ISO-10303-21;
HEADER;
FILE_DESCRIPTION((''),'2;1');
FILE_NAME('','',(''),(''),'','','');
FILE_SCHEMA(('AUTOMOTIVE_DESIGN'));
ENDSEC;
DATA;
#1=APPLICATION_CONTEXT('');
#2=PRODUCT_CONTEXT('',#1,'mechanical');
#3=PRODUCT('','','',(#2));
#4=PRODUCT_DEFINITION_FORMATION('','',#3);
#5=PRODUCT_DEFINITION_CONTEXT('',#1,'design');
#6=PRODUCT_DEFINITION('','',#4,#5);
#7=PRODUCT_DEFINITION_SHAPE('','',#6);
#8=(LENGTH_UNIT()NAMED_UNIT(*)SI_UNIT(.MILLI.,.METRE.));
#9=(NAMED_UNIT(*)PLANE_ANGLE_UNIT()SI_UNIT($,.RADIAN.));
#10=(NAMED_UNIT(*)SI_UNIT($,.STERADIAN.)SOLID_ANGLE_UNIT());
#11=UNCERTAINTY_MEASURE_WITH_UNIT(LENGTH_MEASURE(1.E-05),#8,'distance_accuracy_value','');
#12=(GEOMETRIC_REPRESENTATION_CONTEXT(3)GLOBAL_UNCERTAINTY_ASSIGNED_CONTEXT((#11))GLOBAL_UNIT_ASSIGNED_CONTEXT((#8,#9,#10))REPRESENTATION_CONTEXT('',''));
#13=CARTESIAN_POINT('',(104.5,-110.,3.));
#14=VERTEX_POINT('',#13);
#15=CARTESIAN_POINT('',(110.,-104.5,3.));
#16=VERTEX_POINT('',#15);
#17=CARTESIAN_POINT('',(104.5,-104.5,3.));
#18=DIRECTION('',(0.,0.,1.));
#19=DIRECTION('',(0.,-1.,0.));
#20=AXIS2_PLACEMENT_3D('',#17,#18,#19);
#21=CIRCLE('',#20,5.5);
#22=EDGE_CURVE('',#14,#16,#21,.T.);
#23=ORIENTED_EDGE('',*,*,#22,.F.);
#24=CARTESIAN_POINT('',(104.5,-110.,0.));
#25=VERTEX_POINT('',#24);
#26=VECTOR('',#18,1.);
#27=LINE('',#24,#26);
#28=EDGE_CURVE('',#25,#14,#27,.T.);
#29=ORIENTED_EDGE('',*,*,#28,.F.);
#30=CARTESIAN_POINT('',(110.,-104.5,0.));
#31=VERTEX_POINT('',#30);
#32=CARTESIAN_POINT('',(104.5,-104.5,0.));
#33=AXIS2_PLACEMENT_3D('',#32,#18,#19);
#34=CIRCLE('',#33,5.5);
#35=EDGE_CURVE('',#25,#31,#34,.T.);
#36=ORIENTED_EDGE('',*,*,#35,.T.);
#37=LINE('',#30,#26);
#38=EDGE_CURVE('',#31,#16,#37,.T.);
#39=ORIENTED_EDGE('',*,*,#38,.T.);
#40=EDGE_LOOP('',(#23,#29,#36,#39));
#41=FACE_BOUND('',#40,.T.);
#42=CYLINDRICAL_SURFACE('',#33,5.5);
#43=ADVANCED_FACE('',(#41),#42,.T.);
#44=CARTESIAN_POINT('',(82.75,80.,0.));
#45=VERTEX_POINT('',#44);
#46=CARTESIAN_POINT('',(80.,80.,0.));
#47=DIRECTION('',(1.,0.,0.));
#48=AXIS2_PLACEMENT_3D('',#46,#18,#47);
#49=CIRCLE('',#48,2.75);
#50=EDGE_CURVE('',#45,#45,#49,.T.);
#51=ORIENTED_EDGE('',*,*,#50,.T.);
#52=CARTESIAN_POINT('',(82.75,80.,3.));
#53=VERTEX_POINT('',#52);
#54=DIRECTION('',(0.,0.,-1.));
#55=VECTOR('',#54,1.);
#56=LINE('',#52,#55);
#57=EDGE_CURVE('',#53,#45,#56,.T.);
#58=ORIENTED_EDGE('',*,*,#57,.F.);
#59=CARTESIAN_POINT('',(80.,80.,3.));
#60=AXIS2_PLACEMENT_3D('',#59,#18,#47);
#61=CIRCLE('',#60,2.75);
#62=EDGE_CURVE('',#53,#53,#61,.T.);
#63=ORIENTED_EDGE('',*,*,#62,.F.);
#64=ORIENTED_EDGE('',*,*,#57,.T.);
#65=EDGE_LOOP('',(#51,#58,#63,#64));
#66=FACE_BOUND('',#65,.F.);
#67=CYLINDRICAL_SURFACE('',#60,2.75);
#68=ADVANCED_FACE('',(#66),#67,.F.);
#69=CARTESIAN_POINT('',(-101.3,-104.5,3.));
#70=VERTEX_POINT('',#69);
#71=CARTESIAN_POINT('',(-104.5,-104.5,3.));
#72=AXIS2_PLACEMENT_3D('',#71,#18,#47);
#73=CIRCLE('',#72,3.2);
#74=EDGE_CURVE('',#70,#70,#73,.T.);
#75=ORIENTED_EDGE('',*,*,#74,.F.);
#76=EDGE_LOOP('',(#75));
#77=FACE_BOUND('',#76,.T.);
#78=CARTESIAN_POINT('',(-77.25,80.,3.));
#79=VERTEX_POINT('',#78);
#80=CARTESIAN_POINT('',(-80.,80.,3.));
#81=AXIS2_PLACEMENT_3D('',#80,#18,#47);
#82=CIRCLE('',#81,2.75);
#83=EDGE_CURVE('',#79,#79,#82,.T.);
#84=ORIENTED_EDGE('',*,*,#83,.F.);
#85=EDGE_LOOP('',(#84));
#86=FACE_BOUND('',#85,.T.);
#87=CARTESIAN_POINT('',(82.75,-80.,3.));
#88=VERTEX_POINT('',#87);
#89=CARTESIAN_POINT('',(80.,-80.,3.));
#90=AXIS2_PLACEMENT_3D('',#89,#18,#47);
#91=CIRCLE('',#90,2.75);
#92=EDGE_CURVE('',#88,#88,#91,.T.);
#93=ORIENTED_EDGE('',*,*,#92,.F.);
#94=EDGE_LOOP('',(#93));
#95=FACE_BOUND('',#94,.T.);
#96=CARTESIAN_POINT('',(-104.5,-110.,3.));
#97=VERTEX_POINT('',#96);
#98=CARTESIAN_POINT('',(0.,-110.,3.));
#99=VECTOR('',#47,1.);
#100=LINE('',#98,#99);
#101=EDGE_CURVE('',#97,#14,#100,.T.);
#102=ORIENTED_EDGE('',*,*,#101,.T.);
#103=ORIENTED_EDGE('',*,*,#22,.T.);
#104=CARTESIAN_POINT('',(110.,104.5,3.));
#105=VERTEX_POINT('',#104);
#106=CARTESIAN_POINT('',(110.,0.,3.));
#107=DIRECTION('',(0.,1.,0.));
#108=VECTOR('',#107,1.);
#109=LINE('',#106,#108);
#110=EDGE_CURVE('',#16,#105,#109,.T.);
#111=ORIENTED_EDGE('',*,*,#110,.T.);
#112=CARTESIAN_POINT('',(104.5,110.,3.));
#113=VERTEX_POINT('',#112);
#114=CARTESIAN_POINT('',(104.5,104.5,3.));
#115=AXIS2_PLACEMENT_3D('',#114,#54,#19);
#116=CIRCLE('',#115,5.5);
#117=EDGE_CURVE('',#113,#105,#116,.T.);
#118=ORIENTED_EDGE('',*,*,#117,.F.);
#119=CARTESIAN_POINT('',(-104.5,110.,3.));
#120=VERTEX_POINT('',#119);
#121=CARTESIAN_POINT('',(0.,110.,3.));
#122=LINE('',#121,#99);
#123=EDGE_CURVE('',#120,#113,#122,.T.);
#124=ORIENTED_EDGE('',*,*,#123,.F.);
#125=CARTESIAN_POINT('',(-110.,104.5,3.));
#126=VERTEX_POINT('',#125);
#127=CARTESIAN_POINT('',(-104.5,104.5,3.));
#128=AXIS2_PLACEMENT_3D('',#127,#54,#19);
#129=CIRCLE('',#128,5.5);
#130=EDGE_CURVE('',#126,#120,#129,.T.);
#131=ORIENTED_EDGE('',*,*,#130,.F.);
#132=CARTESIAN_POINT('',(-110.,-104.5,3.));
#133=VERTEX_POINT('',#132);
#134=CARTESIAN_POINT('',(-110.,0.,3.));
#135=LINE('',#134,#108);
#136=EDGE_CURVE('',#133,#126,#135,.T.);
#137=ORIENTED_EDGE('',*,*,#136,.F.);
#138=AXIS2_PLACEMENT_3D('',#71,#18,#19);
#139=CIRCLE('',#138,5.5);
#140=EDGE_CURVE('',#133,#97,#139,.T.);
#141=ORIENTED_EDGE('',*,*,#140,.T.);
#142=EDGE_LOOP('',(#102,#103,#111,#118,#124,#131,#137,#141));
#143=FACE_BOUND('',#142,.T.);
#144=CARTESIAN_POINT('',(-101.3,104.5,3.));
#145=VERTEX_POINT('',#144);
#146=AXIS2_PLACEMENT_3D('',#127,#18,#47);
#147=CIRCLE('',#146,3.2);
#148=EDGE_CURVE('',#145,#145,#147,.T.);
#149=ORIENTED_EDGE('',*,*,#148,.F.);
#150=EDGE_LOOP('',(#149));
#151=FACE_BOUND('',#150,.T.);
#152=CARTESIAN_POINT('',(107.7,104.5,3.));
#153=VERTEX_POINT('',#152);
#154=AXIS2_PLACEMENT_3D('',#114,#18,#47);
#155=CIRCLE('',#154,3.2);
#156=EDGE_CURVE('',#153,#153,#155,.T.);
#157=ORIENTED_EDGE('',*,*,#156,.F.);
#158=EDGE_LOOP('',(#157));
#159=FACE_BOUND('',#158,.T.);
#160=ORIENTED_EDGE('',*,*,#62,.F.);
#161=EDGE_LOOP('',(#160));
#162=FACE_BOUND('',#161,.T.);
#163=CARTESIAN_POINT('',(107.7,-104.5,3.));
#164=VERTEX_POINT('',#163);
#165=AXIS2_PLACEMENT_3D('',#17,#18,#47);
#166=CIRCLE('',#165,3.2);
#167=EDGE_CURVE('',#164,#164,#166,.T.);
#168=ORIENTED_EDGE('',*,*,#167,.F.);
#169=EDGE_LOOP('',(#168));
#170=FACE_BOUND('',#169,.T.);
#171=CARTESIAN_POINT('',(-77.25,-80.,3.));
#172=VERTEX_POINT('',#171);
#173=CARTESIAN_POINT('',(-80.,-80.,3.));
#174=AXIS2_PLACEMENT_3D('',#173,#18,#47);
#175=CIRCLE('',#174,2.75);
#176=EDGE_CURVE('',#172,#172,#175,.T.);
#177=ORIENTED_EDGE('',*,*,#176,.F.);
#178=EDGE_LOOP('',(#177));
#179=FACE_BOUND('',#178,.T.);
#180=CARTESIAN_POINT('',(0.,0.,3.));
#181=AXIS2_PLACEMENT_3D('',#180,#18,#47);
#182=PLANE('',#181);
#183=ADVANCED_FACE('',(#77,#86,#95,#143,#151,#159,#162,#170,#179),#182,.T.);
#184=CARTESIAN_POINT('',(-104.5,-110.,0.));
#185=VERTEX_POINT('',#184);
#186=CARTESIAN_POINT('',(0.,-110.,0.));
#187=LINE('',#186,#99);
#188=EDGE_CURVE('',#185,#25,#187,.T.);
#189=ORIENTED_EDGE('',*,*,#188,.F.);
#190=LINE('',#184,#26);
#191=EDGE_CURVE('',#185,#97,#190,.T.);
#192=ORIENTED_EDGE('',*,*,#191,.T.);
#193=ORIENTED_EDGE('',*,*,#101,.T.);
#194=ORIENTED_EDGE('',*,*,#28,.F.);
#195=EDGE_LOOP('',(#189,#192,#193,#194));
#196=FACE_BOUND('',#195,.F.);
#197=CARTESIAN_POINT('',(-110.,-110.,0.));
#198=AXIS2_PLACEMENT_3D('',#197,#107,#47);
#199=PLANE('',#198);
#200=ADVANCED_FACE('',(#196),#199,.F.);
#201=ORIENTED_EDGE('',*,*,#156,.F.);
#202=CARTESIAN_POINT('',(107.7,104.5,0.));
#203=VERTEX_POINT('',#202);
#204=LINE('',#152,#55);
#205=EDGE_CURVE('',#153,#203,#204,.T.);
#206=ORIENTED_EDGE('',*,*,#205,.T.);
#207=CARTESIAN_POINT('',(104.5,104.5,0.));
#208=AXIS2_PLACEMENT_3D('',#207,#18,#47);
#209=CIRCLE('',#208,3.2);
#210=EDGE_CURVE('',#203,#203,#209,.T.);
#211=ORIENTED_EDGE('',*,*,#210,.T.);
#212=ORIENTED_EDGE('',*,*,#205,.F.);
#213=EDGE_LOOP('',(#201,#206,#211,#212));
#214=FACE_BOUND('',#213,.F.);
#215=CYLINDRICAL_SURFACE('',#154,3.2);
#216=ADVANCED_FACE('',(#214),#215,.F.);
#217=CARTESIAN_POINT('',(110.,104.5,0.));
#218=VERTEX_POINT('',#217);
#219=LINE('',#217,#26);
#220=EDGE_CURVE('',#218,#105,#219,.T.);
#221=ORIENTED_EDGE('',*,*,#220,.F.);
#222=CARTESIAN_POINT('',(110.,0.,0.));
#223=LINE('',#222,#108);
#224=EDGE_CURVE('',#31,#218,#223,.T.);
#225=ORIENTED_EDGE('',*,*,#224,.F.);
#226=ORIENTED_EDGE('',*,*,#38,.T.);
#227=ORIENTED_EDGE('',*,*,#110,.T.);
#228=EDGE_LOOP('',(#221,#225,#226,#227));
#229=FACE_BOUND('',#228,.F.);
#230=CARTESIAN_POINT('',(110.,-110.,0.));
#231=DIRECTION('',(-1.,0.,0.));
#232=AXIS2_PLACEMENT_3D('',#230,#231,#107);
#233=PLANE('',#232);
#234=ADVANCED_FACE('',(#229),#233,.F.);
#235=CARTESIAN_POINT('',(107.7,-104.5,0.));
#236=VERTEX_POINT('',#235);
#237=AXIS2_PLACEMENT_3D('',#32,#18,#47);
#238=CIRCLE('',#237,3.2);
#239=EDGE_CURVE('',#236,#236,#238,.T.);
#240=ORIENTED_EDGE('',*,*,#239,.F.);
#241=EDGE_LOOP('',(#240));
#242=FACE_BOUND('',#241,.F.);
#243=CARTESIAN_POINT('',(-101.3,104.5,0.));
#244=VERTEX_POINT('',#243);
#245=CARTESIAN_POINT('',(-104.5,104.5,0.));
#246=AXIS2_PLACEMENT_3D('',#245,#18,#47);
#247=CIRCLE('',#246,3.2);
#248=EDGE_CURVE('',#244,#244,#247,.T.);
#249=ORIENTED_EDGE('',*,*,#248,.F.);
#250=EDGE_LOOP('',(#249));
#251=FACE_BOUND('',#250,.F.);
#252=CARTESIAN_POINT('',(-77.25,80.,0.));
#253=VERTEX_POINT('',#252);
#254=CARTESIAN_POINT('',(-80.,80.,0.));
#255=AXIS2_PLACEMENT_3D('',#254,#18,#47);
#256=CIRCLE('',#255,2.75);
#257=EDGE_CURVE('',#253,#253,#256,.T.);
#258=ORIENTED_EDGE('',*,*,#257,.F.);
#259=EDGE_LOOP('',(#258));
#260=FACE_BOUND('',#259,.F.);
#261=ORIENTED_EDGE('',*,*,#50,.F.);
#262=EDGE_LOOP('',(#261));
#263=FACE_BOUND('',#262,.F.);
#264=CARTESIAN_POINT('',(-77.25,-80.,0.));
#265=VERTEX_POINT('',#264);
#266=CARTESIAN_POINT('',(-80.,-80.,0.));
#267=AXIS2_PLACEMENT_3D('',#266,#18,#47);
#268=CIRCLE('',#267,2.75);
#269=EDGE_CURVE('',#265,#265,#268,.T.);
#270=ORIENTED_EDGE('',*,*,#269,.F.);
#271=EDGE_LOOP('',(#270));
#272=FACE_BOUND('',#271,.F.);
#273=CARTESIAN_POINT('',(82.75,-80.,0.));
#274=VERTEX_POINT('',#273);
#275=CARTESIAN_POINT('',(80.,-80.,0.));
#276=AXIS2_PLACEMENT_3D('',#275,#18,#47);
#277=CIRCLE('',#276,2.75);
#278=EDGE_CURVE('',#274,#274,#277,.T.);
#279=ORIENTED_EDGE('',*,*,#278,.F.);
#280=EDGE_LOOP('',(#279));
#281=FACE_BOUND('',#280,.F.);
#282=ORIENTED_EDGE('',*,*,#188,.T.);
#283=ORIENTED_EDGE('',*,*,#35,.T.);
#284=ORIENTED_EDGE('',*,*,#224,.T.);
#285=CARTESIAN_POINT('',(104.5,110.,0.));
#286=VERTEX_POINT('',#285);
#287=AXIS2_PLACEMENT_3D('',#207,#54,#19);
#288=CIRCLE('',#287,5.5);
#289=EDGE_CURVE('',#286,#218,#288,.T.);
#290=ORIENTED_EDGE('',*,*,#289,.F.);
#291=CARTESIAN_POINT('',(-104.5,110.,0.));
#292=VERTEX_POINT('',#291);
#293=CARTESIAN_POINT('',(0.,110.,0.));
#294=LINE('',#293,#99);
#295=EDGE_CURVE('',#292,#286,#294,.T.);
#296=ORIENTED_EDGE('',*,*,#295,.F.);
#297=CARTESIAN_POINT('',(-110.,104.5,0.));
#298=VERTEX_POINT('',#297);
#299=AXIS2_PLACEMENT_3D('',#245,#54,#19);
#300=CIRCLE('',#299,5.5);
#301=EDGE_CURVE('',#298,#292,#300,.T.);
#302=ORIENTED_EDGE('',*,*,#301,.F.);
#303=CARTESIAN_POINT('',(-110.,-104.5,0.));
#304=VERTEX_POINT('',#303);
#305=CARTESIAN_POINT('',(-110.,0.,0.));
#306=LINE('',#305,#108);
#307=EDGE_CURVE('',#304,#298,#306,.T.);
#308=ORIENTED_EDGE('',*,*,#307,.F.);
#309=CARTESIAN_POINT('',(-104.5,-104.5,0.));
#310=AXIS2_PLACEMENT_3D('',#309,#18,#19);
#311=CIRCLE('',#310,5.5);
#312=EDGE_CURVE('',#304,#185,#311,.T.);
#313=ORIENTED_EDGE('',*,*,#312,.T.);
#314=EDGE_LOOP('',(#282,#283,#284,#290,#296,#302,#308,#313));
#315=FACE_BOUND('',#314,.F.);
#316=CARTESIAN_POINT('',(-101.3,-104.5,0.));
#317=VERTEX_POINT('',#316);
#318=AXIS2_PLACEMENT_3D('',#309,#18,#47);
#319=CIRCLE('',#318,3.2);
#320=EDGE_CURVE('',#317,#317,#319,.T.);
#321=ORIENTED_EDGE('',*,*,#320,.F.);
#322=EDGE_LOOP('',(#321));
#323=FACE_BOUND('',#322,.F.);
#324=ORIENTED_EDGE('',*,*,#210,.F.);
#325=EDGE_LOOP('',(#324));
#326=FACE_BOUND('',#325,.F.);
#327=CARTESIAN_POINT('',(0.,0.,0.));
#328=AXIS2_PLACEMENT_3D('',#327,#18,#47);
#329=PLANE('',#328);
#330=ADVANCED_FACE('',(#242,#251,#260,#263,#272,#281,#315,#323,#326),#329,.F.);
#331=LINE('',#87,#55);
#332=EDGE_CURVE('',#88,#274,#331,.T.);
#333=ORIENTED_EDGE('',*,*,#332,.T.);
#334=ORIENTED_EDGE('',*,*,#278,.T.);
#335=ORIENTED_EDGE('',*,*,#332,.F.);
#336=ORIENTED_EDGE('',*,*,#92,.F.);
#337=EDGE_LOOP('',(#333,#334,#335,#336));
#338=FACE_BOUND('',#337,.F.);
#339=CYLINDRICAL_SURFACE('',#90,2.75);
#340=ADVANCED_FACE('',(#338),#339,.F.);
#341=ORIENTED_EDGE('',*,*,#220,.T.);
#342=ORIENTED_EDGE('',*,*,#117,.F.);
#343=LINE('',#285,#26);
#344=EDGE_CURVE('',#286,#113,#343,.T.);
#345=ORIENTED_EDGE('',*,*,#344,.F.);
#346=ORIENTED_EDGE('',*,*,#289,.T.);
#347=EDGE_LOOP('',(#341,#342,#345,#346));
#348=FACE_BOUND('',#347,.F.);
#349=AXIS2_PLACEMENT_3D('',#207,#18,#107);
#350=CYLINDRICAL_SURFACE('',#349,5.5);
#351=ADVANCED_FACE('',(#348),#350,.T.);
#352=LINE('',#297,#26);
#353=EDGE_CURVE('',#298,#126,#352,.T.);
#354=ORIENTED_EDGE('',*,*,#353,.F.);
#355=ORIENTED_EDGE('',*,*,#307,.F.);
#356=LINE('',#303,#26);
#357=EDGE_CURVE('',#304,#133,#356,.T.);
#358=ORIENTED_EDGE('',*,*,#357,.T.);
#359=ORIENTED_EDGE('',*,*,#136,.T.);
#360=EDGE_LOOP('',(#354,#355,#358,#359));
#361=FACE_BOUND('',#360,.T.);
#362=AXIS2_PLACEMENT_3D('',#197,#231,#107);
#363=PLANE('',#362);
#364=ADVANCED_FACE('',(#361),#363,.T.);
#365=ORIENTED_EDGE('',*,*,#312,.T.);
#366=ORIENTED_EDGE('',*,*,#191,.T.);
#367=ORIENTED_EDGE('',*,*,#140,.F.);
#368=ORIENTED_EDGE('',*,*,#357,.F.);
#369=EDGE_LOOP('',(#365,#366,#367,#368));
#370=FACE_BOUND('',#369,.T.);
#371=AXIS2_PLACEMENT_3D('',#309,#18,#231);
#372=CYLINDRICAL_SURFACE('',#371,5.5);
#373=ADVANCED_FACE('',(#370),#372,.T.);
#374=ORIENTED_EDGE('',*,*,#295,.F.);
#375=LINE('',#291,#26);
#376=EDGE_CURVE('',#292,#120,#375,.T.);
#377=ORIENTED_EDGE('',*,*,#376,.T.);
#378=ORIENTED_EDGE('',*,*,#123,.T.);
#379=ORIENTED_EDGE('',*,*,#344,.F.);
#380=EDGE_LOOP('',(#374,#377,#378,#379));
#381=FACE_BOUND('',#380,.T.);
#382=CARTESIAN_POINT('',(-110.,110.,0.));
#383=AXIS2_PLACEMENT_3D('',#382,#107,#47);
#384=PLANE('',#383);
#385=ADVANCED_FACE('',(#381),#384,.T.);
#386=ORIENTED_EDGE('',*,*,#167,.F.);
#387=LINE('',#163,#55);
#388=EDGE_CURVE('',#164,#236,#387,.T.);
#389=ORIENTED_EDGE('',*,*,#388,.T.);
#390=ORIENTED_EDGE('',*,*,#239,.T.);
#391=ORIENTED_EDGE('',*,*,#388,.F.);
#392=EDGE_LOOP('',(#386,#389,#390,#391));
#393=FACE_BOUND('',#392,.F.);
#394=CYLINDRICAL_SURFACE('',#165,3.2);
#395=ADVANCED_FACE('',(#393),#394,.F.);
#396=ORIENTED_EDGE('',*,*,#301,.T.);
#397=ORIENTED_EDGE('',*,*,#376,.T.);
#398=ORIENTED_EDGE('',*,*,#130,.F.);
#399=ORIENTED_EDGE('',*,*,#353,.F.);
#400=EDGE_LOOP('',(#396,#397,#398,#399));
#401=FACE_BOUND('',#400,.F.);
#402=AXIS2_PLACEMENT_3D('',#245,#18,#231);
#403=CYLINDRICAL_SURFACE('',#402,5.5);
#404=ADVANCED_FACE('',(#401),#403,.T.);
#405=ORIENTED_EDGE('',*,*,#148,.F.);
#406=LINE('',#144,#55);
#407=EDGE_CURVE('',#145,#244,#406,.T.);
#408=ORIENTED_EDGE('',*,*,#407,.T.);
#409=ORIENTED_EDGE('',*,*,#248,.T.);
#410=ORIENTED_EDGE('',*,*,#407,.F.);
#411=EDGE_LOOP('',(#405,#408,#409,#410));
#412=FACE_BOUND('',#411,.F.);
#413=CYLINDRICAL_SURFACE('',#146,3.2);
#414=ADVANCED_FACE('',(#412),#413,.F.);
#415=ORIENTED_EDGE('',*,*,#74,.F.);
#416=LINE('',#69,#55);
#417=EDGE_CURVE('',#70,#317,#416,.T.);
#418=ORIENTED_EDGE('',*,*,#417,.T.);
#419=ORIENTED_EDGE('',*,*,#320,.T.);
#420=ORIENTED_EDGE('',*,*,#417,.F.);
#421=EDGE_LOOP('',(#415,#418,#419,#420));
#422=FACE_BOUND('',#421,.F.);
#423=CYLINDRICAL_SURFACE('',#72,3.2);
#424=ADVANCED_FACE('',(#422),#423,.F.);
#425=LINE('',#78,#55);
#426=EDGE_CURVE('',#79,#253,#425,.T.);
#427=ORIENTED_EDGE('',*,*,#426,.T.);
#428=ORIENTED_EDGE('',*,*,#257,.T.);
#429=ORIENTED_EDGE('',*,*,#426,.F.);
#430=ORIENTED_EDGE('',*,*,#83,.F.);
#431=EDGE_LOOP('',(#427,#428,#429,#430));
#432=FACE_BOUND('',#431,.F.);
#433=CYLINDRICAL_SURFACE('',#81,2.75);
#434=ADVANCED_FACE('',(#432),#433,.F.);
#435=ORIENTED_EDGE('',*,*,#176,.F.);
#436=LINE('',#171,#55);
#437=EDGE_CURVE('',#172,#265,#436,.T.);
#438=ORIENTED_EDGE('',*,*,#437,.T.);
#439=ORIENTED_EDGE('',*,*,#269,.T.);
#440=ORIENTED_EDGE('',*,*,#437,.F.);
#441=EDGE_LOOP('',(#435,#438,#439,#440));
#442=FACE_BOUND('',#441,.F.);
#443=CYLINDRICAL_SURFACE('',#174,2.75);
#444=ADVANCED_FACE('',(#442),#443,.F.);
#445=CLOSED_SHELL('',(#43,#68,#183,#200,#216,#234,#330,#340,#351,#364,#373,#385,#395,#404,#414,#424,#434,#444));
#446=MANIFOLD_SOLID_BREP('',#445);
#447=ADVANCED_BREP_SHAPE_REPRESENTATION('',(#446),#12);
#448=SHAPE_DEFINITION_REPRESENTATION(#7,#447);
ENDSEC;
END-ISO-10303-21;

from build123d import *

# Parameters (mm, degrees)
SKETCH_W        = 220
SKETCH_H        = 220
PAD_DEPTH       = 3
SKETCH001_R     = 3.2
POCKET_DEPTH    = 3.001
SKETCH002_R     = 2.75
POCKET001_DEPTH = 5
FILLET_R        = 5.5


with BuildPart() as part:
    # Sketch → Pad (new body)
    with BuildSketch(Plane.XY):
        Rectangle(SKETCH_W, SKETCH_H)
    extrude(amount=PAD_DEPTH)

    # Sketch001 (on Face6 of Pad) → Pocket (cut, through all)
    with BuildSketch(Plane.XY.offset(3)):
        with Locations((-104.5, 104.5)):
            Circle(SKETCH001_R)
        with Locations((104.5, 104.5)):
            Circle(SKETCH001_R)
        with Locations((104.5, -104.5)):
            Circle(SKETCH001_R)
        with Locations((-104.5, -104.5)):
            Circle(SKETCH001_R)
    extrude(amount=-POCKET_DEPTH, mode=Mode.SUBTRACT)

    # Sketch002 (on Face5 of Pocket) → Pocket001 (cut)
    with BuildSketch(Plane.XY.offset(3)):
        with Locations((-80, 80)):
            Circle(SKETCH002_R)
        with Locations((80, 80)):
            Circle(SKETCH002_R)
        with Locations((-80, -80)):
            Circle(SKETCH002_R)
        with Locations((80, -80)):
            Circle(SKETCH002_R)
    extrude(amount=-POCKET001_DEPTH, mode=Mode.SUBTRACT)

    # Fillet
    fillet_edges = [part.edges().sort_by_distance(p)[0] for p in [
        (-110, -110, 1.5),
        (110, -110, 1.5),
        (110, 110, 1.5),
        (-110, 110, 1.5),
    ]]
    fillet(fillet_edges, radius=FILLET_R)


solid = part.part
